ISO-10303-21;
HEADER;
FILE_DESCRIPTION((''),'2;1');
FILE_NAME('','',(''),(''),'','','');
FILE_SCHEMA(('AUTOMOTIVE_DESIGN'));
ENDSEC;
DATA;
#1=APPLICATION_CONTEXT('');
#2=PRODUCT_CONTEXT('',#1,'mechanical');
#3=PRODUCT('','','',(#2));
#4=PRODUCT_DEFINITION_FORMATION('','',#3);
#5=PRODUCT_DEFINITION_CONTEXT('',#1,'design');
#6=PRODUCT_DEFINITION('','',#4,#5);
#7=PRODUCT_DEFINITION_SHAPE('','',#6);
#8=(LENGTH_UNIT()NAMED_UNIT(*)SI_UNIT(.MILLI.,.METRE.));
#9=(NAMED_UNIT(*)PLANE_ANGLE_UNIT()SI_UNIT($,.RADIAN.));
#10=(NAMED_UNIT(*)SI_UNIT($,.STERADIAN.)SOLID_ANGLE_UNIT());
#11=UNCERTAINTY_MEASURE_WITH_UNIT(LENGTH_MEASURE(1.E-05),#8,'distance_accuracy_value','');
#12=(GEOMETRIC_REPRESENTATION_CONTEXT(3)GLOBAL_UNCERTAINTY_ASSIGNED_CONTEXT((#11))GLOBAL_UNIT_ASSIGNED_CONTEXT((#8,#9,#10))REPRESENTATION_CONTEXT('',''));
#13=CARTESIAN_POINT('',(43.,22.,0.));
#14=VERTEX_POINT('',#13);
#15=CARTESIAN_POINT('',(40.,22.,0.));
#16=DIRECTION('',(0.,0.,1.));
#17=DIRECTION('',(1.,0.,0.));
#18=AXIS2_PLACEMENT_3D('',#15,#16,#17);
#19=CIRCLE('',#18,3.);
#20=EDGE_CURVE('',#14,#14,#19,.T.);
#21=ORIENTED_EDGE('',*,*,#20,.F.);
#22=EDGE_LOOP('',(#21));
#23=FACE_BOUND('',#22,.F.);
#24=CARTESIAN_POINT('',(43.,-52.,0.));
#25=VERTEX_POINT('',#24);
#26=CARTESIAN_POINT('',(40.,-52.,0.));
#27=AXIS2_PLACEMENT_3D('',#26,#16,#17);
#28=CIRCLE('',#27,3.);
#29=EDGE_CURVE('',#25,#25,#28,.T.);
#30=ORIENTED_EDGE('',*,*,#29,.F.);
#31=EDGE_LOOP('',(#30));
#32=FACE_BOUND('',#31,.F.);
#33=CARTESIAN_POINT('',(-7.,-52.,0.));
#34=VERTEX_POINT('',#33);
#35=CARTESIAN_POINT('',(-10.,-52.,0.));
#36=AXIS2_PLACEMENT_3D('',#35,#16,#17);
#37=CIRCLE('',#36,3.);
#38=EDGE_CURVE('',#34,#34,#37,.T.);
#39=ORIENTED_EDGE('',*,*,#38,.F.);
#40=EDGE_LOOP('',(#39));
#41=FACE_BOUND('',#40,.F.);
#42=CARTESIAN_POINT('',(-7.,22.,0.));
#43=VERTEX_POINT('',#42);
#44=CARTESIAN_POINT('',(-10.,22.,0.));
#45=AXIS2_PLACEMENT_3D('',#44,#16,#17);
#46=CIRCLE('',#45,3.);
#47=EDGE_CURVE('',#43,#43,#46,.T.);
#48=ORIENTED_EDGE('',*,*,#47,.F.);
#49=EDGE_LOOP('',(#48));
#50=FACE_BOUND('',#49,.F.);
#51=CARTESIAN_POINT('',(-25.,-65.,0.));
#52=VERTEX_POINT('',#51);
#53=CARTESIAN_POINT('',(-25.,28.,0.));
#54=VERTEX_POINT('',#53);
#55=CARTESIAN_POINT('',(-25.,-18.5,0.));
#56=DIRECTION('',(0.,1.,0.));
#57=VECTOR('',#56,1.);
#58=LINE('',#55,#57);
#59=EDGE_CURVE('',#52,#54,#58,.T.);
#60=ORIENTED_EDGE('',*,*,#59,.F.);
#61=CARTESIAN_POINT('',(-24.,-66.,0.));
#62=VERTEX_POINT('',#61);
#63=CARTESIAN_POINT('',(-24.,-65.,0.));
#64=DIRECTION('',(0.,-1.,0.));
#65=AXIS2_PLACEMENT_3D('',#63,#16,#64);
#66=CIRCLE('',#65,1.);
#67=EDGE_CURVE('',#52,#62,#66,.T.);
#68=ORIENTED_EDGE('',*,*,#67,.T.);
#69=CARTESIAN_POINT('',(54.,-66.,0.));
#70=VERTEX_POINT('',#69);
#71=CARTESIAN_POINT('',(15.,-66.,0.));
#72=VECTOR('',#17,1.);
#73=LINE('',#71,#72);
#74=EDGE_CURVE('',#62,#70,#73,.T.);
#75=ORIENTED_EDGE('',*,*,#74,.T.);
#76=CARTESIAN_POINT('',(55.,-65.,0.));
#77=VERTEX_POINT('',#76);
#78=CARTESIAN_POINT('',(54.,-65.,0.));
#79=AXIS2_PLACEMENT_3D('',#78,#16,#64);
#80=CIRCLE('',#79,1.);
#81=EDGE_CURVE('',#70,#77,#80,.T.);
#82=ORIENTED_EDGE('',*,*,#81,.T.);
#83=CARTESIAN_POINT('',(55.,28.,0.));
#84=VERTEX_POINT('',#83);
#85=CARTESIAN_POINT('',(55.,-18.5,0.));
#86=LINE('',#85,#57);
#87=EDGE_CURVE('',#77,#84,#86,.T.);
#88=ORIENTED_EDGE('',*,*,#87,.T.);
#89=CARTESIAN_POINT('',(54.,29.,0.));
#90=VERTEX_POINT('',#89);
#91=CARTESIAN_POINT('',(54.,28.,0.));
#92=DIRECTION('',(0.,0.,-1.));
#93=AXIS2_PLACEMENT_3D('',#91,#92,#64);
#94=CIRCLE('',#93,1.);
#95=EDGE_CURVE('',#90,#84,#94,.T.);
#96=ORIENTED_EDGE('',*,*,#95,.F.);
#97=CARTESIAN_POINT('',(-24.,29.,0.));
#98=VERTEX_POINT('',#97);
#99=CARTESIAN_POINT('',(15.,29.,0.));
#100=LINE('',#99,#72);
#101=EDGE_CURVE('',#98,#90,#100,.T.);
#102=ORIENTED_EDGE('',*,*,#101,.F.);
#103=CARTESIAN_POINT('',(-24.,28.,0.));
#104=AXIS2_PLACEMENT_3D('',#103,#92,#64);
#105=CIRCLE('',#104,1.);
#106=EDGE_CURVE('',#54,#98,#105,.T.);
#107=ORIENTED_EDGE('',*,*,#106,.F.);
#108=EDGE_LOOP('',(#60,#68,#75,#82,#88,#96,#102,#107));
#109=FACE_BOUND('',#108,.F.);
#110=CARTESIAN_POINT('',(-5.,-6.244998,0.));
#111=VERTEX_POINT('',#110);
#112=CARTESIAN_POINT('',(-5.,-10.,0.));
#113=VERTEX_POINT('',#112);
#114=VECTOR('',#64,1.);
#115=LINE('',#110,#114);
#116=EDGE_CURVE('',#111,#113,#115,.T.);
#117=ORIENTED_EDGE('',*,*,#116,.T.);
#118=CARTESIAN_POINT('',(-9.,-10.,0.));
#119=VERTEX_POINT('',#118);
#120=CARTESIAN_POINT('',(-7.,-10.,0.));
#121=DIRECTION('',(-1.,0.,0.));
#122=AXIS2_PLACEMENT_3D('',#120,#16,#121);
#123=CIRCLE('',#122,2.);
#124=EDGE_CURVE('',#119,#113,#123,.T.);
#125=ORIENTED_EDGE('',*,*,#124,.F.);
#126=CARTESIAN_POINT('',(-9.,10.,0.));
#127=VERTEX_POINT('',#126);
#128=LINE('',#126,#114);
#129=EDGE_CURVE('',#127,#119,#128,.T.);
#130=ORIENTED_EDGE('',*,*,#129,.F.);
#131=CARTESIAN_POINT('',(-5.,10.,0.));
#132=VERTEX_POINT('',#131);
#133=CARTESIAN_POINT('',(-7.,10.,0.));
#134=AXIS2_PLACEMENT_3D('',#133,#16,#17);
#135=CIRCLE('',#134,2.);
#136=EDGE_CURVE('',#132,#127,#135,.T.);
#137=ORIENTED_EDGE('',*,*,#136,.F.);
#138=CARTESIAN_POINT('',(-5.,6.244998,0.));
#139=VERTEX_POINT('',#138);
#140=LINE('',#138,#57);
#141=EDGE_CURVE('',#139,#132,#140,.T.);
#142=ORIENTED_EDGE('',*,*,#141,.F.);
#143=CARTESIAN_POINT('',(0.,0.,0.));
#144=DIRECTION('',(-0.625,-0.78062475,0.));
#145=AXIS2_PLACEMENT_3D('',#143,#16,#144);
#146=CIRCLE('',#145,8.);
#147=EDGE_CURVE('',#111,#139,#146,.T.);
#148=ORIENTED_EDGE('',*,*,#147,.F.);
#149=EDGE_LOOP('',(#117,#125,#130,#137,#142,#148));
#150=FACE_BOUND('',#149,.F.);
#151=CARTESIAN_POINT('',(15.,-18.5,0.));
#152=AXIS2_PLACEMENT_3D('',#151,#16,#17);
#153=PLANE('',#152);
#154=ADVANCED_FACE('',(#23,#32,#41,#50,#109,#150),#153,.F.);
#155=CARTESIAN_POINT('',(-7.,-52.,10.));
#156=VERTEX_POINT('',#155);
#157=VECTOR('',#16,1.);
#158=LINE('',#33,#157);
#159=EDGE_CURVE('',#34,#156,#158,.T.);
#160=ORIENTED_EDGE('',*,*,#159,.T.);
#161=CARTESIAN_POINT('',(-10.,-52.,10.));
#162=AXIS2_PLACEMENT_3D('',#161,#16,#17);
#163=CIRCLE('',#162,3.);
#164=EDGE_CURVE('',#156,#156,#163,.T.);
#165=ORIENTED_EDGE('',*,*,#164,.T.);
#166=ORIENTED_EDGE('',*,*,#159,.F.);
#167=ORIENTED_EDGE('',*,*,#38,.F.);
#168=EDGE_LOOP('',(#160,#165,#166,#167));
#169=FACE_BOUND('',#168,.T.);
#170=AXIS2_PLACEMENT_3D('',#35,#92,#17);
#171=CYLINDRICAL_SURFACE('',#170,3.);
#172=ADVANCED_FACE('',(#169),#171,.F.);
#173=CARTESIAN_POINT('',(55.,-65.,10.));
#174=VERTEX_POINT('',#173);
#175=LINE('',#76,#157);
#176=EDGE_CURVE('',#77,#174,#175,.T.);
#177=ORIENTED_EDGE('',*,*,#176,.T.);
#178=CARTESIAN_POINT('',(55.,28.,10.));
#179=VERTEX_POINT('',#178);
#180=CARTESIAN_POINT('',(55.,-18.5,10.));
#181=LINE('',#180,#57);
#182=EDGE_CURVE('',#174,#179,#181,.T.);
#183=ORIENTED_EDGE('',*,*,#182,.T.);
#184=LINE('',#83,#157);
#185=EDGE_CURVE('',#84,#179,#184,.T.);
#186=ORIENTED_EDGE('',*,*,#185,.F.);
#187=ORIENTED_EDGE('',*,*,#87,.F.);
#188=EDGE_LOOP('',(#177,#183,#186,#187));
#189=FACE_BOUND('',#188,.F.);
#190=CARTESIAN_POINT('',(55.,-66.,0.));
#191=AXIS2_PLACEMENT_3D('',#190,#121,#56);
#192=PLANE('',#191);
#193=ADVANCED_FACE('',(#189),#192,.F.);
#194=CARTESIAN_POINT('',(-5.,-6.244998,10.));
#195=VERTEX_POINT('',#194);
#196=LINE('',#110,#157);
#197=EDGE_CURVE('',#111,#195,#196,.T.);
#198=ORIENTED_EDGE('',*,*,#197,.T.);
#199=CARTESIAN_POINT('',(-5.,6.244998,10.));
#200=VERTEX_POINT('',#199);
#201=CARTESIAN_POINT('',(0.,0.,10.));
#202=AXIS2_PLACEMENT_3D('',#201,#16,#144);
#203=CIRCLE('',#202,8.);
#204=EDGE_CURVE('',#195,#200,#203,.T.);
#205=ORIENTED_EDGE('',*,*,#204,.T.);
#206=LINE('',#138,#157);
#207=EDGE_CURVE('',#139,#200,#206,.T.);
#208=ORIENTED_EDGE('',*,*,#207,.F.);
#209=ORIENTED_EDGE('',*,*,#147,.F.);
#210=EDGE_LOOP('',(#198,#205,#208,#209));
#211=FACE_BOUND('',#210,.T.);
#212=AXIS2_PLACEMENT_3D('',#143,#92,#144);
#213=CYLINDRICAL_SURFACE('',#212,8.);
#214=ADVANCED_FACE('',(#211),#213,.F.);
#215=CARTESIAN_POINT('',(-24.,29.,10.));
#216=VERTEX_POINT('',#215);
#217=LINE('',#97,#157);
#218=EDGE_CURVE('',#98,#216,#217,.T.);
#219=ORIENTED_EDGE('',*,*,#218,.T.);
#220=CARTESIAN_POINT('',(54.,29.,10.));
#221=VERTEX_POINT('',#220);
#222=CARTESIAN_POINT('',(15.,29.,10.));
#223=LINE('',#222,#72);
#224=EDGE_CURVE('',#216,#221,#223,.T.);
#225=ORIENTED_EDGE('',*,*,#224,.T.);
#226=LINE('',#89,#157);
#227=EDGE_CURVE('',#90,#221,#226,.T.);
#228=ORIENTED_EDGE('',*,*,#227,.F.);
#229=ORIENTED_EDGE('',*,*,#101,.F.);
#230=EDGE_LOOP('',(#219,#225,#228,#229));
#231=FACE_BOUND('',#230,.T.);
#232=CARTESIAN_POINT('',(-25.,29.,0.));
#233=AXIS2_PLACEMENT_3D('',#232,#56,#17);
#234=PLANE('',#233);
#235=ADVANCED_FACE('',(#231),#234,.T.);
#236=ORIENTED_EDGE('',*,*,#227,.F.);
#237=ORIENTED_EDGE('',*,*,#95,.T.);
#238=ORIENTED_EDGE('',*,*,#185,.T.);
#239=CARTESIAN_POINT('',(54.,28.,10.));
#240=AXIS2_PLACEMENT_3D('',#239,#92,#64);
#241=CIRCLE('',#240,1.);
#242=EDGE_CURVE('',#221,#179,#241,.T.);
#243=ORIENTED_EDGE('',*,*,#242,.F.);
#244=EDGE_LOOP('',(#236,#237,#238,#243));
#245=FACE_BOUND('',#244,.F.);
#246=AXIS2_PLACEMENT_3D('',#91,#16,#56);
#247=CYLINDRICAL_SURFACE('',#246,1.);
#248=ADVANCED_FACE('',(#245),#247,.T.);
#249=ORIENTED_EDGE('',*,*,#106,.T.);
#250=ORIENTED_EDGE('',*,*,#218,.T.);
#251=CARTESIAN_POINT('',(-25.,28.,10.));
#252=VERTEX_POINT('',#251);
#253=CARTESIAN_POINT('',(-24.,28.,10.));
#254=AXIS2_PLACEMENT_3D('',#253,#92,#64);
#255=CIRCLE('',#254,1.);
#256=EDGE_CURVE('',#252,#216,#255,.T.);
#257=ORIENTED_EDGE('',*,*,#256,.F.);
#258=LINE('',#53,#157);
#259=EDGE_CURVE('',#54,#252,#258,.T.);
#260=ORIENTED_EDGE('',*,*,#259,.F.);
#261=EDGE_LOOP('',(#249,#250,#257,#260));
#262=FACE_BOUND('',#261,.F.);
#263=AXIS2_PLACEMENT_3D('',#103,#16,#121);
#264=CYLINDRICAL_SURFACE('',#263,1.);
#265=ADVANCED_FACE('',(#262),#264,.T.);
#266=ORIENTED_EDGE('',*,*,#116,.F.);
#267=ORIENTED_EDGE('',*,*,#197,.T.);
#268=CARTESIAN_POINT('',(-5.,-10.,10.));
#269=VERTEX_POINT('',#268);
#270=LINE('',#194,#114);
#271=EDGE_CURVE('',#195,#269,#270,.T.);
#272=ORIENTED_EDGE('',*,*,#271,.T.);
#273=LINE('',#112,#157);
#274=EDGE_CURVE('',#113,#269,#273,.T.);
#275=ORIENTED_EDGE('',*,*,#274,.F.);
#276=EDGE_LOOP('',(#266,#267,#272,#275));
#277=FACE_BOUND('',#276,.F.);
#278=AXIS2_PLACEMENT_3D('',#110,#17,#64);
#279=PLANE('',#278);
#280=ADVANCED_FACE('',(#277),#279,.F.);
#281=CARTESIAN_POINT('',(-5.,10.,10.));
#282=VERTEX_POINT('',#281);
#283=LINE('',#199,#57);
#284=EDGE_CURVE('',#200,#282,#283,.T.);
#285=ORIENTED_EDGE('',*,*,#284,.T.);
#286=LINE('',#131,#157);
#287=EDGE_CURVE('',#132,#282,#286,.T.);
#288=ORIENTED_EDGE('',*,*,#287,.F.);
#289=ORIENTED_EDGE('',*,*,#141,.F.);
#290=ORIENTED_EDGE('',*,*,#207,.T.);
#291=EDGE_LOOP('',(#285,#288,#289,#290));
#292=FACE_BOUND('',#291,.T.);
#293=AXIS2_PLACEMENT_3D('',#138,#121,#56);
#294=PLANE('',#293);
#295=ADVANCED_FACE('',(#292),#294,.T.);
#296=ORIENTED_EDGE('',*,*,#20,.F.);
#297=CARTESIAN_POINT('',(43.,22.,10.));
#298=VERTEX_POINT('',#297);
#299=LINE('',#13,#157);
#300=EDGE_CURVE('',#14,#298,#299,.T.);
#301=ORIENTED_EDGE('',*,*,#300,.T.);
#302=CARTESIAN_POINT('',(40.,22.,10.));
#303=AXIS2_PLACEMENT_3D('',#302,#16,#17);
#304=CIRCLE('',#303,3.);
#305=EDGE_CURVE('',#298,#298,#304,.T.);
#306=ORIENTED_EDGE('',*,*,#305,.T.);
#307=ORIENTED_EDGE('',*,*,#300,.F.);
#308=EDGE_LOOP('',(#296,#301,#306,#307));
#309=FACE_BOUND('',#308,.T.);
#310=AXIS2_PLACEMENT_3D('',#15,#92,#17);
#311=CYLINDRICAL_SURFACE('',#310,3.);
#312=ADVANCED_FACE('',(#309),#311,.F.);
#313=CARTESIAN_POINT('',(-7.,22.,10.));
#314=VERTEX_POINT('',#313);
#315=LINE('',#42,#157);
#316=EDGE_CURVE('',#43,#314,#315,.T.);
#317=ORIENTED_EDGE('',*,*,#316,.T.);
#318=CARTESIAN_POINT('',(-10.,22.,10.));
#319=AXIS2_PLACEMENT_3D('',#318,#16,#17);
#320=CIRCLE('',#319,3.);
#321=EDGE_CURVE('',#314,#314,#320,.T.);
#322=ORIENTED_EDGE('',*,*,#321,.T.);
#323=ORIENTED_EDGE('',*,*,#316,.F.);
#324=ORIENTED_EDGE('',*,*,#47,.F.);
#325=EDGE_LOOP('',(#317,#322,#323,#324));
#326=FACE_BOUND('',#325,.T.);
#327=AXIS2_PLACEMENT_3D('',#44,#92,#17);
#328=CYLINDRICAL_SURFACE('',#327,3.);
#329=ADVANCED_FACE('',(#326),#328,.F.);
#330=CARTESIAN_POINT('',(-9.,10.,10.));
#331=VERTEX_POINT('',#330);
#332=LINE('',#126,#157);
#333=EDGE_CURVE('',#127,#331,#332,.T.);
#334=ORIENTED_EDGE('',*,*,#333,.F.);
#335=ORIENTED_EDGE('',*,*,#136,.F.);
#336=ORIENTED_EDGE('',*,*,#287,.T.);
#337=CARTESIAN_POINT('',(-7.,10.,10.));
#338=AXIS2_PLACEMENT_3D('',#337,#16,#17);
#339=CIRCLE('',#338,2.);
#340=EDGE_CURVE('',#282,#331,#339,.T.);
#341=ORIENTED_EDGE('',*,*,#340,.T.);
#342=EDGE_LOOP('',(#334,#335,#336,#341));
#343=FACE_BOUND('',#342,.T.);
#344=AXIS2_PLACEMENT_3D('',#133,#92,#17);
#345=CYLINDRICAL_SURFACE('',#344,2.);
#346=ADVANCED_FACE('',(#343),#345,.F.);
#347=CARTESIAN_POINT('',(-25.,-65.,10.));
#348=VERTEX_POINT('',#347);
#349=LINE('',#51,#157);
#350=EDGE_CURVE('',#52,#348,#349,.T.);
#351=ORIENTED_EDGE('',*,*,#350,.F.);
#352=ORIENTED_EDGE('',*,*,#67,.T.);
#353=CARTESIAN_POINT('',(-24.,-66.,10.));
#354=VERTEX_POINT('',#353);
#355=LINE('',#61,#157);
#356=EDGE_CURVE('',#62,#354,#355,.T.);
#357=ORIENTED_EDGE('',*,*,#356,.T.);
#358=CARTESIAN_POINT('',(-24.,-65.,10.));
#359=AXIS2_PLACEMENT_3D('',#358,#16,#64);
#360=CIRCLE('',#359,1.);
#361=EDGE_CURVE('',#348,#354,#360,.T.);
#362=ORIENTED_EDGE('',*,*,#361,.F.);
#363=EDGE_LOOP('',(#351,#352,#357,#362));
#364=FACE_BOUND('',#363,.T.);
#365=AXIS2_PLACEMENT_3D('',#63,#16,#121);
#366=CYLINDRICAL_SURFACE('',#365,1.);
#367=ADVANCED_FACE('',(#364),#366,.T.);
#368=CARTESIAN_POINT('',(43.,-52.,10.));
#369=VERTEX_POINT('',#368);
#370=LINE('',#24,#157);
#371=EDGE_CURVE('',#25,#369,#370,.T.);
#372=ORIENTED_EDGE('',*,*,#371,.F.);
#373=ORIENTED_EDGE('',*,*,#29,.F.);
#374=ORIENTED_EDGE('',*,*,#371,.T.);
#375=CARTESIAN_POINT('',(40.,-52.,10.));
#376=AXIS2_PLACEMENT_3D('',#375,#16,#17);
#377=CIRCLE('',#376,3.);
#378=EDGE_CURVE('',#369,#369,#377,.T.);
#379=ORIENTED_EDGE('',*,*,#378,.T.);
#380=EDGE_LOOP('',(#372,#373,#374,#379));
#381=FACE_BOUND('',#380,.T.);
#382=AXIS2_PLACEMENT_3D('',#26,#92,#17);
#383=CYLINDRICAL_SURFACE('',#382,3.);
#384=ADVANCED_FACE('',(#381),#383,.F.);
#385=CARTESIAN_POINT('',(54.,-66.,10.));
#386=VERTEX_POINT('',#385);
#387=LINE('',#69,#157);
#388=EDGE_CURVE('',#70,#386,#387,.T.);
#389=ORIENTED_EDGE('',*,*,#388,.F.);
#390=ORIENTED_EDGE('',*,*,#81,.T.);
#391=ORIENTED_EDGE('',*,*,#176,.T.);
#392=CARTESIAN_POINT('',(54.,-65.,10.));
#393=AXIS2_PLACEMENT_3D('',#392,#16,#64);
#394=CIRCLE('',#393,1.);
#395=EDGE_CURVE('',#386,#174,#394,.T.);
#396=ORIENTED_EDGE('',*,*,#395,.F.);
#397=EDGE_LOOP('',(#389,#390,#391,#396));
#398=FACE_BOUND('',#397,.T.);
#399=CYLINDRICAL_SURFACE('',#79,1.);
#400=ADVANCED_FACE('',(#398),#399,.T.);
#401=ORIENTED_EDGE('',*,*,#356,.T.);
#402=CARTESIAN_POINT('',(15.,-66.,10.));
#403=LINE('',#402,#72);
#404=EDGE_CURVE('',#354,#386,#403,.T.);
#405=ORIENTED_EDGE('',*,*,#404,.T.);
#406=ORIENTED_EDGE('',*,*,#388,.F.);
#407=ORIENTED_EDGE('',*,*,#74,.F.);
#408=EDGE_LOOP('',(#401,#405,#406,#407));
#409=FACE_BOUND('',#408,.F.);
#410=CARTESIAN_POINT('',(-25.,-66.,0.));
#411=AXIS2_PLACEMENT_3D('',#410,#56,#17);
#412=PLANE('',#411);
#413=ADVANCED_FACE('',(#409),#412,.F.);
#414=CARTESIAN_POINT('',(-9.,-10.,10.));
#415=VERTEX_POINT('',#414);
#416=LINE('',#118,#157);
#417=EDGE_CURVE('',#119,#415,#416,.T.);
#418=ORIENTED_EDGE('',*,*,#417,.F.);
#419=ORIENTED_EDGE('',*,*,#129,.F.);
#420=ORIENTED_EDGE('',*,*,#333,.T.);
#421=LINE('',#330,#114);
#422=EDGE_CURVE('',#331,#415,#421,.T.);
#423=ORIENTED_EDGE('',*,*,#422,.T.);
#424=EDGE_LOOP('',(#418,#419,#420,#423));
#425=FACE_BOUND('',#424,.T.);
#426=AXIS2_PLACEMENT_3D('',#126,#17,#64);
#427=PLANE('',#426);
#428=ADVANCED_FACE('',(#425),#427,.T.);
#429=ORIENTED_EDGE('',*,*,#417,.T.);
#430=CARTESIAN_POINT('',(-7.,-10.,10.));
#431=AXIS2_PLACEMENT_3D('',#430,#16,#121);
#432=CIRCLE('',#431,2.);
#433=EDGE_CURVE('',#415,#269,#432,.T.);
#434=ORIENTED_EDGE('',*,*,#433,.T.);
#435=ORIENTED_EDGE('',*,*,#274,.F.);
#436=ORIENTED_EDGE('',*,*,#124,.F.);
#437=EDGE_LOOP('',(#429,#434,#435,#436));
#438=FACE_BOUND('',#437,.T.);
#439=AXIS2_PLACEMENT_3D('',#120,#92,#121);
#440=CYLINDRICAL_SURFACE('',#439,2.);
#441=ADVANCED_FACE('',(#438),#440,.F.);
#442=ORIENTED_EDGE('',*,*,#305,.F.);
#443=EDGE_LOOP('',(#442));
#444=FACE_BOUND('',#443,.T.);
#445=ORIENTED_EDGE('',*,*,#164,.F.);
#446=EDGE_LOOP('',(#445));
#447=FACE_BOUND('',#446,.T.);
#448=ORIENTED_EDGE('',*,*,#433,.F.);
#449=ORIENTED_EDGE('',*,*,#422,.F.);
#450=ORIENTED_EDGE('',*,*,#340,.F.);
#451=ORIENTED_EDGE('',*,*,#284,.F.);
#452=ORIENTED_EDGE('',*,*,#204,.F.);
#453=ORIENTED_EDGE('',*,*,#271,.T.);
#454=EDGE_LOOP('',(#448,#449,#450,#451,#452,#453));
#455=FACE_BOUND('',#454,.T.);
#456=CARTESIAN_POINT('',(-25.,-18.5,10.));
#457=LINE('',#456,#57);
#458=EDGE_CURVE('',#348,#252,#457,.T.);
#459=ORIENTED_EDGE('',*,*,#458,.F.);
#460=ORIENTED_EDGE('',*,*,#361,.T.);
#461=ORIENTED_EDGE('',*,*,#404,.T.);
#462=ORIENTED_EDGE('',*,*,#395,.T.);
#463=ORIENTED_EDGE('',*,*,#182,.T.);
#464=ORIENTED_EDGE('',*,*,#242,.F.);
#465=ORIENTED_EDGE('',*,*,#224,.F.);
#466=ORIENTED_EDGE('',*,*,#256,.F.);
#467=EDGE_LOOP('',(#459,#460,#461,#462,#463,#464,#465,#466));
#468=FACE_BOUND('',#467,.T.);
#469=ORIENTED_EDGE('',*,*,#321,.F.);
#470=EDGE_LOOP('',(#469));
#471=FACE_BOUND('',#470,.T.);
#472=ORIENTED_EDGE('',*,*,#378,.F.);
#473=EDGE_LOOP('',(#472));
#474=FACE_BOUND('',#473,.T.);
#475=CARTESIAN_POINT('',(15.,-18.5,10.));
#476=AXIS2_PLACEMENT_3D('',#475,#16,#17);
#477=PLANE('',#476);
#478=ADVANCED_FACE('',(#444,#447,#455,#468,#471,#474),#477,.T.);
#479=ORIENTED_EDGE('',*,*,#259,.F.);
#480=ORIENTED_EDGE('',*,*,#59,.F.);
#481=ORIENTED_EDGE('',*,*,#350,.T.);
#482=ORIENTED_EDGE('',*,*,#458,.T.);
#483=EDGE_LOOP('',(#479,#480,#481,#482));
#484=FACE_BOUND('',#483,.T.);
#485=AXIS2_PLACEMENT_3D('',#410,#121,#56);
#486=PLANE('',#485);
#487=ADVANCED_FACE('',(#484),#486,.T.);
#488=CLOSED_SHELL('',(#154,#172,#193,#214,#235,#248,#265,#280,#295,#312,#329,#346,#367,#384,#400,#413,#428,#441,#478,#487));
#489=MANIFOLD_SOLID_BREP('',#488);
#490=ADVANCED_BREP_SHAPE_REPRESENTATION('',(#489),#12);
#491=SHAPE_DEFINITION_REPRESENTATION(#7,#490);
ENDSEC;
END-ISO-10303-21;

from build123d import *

# Parameters (mm, degrees)
SKETCH_W    = 80
SKETCH_H    = 95
SKETCH_R    = 3
PAD_DEPTH   = 10
FILLET_R    = 1
FILLET001_R = 1


with BuildPart() as part:
    # Sketch → Pad (new body)
    with BuildSketch(Plane.XY):
        with Locations((15, -18.5)):
            Rectangle(SKETCH_W, SKETCH_H)
        with Locations((-10, -52)):
            Circle(SKETCH_R, mode=Mode.SUBTRACT)
        with Locations((40, -52)):
            Circle(SKETCH_R, mode=Mode.SUBTRACT)
        with Locations((40, 22)):
            Circle(SKETCH_R, mode=Mode.SUBTRACT)
        with Locations((-10, 22)):
            Circle(SKETCH_R, mode=Mode.SUBTRACT)
        with BuildLine():
            ThreePointArc((-5, -6.244998), (8, 0), (-5, 6.244998))
            Line((-5, 6.244998), (-5, 10))
            ThreePointArc((-5, 10), (-7, 12), (-9, 10))
            Line((-9, 10), (-9, -10))
            ThreePointArc((-9, -10), (-7, -12), (-5, -10))
            Line((-5, -6.244998), (-5, -10))
        make_face(mode=Mode.SUBTRACT)
    extrude(amount=PAD_DEPTH)

    # Fillet
    fillet_edges = [part.edges().sort_by_distance(p)[0] for p in [
        (-25, -66, 5),
        (-25, 29, 5),
    ]]
    fillet(fillet_edges, radius=FILLET_R)

    # Fillet001
    fillet001_edges = [part.edges().sort_by_distance(p)[0] for p in [
        (55, -66, 5),
        (55, 29, 5),
    ]]
    fillet(fillet001_edges, radius=FILLET001_R)


solid = part.part
